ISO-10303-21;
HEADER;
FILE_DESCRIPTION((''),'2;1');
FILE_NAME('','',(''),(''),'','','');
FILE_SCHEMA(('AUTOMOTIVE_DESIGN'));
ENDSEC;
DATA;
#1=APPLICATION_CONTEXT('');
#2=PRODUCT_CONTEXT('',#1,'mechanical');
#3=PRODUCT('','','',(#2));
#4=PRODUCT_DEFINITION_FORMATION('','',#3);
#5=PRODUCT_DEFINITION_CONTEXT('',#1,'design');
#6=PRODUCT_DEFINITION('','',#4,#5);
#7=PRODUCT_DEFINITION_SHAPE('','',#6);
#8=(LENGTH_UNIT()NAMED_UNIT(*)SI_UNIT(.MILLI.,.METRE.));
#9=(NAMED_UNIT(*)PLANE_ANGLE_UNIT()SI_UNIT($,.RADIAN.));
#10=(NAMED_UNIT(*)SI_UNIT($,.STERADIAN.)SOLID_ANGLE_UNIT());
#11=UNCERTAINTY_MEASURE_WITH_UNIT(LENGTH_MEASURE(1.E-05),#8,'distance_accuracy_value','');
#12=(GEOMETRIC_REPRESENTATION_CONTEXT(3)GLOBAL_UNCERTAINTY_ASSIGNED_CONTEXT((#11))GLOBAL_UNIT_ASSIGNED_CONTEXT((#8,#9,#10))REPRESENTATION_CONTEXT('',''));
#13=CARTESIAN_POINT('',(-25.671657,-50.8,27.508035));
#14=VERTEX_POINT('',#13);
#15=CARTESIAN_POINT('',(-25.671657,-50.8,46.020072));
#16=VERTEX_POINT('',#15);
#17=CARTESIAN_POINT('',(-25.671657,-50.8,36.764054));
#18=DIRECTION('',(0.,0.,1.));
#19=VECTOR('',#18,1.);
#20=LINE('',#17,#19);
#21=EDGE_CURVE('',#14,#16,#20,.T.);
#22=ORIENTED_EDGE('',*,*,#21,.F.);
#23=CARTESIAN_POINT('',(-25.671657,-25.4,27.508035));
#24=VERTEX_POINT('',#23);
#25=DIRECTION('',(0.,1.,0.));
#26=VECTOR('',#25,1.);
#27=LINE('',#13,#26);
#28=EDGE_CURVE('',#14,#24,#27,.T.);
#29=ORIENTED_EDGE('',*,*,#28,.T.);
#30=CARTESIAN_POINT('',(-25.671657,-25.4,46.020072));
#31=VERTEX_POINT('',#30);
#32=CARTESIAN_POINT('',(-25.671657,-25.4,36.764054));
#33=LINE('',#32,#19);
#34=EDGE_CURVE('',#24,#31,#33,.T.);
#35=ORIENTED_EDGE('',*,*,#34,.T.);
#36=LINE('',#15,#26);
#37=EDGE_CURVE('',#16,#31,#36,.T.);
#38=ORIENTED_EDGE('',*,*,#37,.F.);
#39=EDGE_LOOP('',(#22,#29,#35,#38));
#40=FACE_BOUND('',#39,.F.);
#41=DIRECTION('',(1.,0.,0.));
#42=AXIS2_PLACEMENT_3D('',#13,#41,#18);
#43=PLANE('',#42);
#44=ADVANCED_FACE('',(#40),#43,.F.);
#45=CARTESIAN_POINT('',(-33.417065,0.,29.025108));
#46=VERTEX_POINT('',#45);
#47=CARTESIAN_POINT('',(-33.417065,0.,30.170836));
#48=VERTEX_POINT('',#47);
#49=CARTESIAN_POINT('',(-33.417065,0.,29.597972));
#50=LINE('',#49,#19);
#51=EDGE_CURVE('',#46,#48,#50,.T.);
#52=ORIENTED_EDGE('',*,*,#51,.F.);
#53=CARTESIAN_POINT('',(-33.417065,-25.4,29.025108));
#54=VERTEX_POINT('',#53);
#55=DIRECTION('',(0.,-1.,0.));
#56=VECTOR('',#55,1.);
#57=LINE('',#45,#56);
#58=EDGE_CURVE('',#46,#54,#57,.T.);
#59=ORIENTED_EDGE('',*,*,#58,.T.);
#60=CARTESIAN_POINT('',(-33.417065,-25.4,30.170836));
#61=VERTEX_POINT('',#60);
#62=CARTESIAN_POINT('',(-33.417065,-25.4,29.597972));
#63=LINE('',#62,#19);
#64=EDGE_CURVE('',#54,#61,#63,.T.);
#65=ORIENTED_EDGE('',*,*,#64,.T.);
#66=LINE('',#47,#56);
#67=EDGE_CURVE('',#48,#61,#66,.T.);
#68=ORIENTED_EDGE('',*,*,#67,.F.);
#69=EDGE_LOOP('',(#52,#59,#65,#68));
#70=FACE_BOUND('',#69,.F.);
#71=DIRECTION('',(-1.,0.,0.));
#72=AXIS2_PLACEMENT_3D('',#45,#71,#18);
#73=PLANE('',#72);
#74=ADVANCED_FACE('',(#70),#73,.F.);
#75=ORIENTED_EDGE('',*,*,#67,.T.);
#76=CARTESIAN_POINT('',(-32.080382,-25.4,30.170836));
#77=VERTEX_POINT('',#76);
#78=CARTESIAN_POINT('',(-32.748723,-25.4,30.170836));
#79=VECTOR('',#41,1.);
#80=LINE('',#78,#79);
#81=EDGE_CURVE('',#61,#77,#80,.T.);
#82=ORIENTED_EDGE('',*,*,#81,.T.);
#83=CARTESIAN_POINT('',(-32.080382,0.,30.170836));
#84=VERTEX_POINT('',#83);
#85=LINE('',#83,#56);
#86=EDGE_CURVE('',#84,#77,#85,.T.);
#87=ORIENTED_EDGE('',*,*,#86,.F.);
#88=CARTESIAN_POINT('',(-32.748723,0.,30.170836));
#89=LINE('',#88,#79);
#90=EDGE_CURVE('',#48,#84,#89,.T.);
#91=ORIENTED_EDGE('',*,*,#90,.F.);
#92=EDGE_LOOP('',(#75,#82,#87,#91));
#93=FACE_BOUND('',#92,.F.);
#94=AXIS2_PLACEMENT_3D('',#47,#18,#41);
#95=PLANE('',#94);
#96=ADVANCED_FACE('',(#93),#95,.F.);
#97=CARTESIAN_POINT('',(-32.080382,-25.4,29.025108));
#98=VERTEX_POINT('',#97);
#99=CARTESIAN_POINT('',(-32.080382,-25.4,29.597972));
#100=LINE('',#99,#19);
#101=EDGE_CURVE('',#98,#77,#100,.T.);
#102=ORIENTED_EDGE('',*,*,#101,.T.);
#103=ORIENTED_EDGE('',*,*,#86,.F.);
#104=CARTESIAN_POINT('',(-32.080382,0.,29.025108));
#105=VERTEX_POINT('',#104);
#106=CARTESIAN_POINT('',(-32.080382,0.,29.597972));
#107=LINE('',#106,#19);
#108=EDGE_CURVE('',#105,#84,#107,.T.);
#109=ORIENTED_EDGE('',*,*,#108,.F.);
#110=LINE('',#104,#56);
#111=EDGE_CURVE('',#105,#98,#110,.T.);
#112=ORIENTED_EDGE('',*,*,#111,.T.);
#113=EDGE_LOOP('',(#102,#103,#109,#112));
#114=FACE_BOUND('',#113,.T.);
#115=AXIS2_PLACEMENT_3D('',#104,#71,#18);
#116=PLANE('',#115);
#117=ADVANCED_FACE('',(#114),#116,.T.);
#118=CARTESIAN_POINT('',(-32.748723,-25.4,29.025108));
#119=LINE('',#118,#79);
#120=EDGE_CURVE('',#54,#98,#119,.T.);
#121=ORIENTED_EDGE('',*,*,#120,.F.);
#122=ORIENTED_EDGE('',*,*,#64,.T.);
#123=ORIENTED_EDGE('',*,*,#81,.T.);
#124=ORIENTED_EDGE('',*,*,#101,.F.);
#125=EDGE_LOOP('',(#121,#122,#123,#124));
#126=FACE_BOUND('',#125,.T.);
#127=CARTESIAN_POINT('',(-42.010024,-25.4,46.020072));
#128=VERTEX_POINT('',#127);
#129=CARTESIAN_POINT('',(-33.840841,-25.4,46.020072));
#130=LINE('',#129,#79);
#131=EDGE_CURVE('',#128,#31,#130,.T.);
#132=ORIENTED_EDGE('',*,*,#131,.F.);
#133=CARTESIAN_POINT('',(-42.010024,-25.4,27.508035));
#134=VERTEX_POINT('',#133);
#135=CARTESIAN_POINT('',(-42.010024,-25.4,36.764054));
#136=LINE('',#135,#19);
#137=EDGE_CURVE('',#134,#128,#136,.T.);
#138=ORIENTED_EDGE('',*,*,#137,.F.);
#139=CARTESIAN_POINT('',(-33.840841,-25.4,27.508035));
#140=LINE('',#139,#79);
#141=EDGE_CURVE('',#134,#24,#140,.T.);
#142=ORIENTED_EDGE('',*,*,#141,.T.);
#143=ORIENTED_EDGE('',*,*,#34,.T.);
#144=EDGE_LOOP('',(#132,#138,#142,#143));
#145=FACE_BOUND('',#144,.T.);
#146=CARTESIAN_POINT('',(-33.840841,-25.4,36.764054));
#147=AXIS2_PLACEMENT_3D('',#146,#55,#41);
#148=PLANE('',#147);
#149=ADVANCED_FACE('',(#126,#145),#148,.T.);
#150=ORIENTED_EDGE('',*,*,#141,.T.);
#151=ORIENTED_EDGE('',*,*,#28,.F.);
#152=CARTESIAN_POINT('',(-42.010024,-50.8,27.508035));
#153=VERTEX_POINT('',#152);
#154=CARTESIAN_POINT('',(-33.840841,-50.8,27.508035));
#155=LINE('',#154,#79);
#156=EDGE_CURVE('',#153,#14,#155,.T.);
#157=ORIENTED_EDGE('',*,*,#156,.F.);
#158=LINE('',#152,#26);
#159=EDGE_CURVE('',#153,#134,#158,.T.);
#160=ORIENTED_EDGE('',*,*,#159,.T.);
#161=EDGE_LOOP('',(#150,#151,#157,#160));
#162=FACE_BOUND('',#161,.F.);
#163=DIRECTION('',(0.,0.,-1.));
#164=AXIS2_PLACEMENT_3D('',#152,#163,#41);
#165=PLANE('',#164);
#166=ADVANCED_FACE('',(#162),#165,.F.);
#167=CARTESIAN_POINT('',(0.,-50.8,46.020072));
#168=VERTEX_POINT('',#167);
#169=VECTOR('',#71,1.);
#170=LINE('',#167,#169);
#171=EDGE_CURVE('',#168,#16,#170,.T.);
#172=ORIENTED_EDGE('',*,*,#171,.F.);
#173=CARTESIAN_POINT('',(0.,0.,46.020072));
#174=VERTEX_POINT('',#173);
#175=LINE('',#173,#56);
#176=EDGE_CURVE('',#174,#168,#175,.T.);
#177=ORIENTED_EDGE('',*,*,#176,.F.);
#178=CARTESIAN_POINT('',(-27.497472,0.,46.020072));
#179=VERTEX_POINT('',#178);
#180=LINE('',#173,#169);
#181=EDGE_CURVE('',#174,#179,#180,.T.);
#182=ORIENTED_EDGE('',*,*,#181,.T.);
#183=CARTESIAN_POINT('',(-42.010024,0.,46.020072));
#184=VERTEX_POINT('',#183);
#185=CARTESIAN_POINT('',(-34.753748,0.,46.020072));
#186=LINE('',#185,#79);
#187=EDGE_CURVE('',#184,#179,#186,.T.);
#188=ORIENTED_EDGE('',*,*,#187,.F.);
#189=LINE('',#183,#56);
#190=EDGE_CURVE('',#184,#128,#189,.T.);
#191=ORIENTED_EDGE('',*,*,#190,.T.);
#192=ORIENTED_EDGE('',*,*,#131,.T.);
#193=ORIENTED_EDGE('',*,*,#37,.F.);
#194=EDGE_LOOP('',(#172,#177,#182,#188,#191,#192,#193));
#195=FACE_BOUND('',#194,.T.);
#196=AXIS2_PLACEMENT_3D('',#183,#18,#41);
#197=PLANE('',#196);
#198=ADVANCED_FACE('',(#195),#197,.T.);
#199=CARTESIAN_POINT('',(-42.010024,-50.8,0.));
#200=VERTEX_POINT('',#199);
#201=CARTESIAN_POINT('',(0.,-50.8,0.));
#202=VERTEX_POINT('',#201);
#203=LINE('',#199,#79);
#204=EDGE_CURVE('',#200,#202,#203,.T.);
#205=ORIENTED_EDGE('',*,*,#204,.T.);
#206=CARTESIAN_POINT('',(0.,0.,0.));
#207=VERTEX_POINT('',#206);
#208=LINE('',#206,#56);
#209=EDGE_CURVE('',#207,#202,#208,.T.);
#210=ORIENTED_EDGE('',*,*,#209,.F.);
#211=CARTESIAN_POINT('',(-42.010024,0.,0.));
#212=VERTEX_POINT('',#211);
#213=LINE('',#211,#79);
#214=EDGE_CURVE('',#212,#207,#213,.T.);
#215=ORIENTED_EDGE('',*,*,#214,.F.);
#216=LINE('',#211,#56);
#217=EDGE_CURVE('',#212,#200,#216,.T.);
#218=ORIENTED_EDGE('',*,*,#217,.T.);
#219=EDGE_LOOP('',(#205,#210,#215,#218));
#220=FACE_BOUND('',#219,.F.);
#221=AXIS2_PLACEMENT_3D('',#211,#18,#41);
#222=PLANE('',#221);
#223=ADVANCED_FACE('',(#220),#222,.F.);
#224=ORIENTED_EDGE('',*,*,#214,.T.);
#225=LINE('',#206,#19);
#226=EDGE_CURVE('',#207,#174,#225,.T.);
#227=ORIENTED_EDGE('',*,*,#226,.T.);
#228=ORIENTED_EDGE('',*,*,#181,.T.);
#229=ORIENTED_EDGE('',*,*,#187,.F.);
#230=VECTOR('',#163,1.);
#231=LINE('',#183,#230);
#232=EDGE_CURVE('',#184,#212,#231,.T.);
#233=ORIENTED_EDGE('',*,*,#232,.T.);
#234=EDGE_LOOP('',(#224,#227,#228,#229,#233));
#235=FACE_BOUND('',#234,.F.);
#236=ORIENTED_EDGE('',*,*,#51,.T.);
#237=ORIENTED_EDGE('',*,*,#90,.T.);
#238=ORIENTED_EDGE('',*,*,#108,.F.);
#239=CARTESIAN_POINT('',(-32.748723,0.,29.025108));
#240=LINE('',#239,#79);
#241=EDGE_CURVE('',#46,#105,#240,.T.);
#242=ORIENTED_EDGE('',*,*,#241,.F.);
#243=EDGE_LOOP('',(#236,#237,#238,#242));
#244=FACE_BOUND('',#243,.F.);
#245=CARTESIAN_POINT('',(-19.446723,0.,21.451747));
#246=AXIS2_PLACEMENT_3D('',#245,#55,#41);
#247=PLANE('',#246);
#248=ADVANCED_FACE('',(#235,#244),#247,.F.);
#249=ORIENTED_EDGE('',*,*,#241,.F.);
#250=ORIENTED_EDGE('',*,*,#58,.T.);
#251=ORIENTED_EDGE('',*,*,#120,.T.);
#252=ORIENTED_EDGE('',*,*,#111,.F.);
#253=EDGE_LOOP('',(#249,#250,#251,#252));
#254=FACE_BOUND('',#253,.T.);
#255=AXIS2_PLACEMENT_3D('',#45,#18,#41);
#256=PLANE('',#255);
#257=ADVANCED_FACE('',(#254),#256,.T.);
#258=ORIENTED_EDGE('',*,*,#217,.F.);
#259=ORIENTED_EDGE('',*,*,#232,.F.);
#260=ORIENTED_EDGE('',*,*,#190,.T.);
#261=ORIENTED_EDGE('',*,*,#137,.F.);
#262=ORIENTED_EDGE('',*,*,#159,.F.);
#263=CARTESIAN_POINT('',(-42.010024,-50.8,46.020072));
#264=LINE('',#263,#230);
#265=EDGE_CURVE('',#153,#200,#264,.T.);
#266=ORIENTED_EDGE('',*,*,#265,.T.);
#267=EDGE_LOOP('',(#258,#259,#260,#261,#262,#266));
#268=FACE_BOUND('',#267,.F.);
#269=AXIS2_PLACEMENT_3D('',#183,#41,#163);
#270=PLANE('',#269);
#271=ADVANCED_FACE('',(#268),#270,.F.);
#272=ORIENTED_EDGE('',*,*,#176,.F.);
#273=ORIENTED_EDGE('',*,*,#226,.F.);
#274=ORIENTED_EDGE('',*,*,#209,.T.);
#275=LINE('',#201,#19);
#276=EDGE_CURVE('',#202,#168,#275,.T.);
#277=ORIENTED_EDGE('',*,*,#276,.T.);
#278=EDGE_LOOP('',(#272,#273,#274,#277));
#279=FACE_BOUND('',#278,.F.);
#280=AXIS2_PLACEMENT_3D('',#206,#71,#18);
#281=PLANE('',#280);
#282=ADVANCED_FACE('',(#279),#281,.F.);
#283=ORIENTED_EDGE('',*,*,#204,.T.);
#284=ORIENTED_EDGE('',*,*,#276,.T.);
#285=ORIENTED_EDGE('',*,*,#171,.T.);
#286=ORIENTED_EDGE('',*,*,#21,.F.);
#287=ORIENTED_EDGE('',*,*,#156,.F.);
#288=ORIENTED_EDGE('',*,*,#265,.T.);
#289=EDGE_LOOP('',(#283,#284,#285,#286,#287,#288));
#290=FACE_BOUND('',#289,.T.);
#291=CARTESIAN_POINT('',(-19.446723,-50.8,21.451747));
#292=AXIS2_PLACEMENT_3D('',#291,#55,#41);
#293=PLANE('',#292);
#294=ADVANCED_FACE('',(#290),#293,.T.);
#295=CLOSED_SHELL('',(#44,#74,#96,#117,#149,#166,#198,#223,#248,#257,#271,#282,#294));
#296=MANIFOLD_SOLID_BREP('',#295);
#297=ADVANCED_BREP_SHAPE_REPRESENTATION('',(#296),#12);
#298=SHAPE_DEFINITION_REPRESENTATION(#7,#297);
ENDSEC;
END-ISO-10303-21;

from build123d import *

# Parameters (mm, degrees)
F0_W     = 14.5125519484
F0_H     = 18.9045108855
F0_W_2   = 1.3366825879
F0_H_2   = 1.1457279325
F1_DEPTH = 50.8
F2_DEPTH = 50.8
F3_W     = 16.3383670151
F3_H     = 18.5120366514
F3_W_2   = 1.3366825879
F3_H_2   = 1.1457279325
F4_DEPTH = 25.4


with BuildPart() as f1:
    # F0 (on Front) → F1 (new body)
    with BuildSketch(Plane.XZ):
        Polygon((-42.0100241899, 0), (0, 0), (0, 46.0200719535), (-27.4974722415, 46.0200719535), (-27.4974722415, 27.1155610681), (-42.0100241899, 27.1155610681), align=None)
        with Locations((-34.7537482157, 36.5678165108)):
            Rectangle(F0_W, F0_H)
        with Locations((-32.7487234026, 29.5979715884)):
            Rectangle(F0_W_2, F0_H_2, mode=Mode.SUBTRACT)
    extrude(amount=F1_DEPTH)

    # F0 (on Front) → F2 (join)
    with BuildSketch(Plane.XZ):
        Polygon((-42.0100241899, 0), (0, 0), (0, 46.0200719535), (-27.4974722415, 46.0200719535), (-27.4974722415, 27.1155610681), (-42.0100241899, 27.1155610681), align=None)
        with Locations((-34.7537482157, 36.5678165108)):
            Rectangle(F0_W, F0_H)
        with Locations((-32.7487234026, 29.5979715884)):
            Rectangle(F0_W_2, F0_H_2, mode=Mode.SUBTRACT)
    extrude(amount=F2_DEPTH)

    # F3 (on face) → F4 (cut)
    with BuildSketch(Plane.XZ.offset(50.8)):
        with Locations((-33.8408406824, 36.7640536278)):
            Rectangle(F3_W, F3_H)
        with Locations((-32.7487234026, 29.5979715884)):
            Rectangle(F3_W_2, F3_H_2, mode=Mode.SUBTRACT)
    extrude(amount=-F4_DEPTH, mode=Mode.SUBTRACT)


solid = f1.part
